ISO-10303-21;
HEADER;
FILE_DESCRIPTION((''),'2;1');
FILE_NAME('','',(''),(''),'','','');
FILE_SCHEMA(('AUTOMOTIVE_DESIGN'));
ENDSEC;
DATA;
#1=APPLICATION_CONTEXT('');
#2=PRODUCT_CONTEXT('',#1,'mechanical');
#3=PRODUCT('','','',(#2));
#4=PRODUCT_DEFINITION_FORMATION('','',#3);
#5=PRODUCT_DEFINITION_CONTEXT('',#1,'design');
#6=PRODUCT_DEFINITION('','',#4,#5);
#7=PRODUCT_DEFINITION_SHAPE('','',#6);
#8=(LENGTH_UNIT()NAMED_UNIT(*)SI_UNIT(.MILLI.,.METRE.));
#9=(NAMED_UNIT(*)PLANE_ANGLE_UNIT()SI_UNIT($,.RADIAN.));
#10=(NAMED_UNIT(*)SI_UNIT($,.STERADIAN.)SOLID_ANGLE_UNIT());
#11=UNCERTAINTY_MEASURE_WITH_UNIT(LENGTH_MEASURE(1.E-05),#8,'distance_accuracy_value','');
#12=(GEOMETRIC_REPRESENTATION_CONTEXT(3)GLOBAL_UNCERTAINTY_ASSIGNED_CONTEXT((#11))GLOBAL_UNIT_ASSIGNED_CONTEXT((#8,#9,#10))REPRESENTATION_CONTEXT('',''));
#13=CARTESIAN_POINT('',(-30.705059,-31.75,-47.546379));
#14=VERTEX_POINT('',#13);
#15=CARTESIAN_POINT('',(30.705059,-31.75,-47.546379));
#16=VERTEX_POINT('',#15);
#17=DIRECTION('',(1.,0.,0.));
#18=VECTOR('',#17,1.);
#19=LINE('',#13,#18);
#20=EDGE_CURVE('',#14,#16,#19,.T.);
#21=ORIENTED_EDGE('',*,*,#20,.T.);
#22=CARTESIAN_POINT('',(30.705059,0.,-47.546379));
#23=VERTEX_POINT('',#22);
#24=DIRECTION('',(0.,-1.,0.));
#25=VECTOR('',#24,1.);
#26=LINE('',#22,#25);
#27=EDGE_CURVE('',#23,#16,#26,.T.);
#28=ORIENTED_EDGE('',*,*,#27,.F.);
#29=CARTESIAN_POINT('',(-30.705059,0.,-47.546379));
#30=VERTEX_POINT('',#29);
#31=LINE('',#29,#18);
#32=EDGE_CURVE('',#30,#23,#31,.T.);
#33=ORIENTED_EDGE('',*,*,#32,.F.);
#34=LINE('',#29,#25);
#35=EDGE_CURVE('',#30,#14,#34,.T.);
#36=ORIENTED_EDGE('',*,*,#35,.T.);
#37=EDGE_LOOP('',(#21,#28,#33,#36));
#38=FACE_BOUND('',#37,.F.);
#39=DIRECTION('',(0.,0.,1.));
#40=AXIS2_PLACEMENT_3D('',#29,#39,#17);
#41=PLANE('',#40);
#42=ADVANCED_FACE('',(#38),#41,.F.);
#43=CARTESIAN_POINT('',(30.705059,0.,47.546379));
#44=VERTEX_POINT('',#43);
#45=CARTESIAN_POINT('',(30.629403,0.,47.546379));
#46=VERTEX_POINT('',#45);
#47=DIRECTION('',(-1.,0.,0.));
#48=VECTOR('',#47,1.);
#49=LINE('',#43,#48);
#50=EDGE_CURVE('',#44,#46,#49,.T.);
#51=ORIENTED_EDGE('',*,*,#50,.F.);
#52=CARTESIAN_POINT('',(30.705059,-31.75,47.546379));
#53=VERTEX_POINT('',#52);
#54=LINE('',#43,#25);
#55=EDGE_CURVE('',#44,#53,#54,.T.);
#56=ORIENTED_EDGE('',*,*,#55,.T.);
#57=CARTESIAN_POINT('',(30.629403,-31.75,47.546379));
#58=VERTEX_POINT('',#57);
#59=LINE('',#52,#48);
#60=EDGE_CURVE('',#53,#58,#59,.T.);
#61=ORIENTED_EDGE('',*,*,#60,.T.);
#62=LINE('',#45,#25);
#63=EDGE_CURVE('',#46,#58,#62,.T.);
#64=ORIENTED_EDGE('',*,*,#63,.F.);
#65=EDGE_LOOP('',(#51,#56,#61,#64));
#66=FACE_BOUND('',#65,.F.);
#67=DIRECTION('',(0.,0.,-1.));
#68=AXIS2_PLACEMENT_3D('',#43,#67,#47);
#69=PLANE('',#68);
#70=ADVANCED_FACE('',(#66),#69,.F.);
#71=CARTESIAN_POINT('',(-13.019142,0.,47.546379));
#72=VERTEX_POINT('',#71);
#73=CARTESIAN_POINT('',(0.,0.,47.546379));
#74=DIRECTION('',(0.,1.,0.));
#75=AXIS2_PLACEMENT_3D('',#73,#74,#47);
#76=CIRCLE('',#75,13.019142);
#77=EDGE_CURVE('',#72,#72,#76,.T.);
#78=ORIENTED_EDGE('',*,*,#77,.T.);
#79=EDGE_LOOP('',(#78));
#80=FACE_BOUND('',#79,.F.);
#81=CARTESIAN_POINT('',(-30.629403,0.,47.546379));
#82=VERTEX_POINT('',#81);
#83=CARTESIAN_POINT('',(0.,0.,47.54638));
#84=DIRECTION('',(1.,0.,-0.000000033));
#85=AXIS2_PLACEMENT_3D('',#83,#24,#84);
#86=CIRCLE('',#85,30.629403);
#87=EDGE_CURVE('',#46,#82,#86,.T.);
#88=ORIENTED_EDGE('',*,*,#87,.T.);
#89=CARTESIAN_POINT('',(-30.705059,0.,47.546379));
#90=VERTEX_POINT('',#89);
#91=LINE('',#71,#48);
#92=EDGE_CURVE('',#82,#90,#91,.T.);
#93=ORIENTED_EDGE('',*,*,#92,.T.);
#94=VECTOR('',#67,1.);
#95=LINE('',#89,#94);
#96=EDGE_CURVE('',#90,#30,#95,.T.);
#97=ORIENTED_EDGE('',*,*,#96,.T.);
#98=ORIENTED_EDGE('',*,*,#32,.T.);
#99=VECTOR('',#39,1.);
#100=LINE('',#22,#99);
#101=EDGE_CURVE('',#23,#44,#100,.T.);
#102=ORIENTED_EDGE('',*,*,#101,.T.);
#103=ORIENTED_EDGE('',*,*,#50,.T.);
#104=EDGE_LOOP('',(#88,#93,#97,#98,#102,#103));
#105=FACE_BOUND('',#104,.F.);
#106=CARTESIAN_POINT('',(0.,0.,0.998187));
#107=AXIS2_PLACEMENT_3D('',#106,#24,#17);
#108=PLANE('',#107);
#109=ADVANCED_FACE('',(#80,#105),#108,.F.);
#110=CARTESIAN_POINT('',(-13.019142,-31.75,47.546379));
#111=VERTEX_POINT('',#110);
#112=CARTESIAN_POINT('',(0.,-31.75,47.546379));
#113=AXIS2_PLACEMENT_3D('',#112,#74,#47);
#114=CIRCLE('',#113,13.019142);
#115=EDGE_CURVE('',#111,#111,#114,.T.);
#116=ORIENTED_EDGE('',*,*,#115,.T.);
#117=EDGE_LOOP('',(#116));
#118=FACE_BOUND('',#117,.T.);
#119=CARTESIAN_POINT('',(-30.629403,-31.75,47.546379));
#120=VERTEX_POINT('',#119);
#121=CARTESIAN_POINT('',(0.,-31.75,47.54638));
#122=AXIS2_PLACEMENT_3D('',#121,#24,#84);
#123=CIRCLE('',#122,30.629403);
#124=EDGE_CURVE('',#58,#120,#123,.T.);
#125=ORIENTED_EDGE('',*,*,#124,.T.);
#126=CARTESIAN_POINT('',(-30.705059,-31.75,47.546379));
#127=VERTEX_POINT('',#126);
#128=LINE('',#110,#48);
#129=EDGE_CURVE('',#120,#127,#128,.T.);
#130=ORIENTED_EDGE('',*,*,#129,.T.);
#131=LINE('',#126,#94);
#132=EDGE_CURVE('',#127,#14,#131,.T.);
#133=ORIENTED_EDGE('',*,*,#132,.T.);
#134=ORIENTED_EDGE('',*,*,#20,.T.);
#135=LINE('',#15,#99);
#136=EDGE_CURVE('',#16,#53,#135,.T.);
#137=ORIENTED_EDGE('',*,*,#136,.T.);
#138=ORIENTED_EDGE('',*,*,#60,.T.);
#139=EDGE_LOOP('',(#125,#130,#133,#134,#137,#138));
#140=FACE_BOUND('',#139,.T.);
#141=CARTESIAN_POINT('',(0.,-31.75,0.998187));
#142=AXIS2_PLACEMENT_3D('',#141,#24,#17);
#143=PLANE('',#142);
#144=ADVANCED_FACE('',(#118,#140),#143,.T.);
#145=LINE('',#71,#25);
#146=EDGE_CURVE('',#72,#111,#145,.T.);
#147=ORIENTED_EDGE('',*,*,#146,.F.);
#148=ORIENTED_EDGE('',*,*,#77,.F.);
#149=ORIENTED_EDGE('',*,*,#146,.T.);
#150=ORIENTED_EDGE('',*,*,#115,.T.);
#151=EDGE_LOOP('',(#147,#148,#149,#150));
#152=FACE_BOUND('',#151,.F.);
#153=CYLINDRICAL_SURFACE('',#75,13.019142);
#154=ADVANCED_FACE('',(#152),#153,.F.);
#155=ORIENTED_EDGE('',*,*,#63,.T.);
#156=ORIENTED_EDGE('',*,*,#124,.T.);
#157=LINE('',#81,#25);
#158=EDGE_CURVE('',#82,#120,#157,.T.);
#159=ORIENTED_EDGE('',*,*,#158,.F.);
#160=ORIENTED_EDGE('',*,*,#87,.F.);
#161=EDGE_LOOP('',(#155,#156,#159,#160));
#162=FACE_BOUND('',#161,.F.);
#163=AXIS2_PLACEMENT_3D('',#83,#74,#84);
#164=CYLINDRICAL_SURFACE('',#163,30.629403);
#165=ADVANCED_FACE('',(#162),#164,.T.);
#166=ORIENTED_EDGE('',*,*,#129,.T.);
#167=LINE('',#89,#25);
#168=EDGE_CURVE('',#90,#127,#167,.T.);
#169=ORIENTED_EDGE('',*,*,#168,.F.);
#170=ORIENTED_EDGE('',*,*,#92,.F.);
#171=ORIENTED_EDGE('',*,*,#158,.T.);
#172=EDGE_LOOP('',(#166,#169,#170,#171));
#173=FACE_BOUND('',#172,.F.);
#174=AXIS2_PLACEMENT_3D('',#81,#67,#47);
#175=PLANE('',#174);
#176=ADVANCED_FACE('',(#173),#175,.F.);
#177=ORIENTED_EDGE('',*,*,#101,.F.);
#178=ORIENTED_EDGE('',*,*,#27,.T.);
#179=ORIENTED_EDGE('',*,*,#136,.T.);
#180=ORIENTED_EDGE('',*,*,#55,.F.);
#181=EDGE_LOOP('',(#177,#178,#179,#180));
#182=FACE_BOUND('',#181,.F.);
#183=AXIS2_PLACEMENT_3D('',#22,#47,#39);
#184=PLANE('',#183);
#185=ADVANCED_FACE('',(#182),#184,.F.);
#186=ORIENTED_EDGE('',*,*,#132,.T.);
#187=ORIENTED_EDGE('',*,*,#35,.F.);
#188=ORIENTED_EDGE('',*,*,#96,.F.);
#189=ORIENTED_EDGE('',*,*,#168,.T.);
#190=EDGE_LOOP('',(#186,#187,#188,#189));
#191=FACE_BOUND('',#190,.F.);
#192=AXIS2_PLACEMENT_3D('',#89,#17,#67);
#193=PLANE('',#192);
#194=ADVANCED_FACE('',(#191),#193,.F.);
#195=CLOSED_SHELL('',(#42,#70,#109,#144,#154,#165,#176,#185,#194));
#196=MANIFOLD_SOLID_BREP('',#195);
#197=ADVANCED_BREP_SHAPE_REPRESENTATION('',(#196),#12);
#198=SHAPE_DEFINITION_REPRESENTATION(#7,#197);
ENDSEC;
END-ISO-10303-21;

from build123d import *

# Parameters (mm, degrees)
F1_DEPTH = 31.75


with BuildPart() as f1:
    # F0 (on Front) → F1 (new body)
    with BuildSketch(Plane.XZ):
        with BuildLine():
            Line((-30.705059, -47.546379), (30.705059, -47.546379))
            Line((30.705059, -47.546379), (30.705059, 47.546379))
            Line((30.705059, 47.546379), (30.629403, 47.546379))
            Line((30.629403, 47.546379), (13.019142, 47.546379))
            ThreePointArc((13.019142, 47.546379), (0, 34.527237), (-13.019142, 47.546379))
            Line((-13.019142, 47.546379), (-30.629403, 47.546379))
            Line((-30.629403, 47.546379), (-30.705059, 47.546379))
            Line((-30.705059, 47.546379), (-30.705059, -47.546379))
        make_face()
        with BuildLine():
            Line((13.019142, 47.546379), (30.629403, 47.546379))
            ThreePointArc((30.629403, 47.546379), (0, 78.175783), (-30.629403, 47.546379))
            Line((-30.629403, 47.546379), (-13.019142, 47.546379))
            ThreePointArc((-13.019142, 47.546379), (0, 60.565521), (13.019142, 47.546379))
        make_face()
    extrude(amount=F1_DEPTH)


solid = f1.part
